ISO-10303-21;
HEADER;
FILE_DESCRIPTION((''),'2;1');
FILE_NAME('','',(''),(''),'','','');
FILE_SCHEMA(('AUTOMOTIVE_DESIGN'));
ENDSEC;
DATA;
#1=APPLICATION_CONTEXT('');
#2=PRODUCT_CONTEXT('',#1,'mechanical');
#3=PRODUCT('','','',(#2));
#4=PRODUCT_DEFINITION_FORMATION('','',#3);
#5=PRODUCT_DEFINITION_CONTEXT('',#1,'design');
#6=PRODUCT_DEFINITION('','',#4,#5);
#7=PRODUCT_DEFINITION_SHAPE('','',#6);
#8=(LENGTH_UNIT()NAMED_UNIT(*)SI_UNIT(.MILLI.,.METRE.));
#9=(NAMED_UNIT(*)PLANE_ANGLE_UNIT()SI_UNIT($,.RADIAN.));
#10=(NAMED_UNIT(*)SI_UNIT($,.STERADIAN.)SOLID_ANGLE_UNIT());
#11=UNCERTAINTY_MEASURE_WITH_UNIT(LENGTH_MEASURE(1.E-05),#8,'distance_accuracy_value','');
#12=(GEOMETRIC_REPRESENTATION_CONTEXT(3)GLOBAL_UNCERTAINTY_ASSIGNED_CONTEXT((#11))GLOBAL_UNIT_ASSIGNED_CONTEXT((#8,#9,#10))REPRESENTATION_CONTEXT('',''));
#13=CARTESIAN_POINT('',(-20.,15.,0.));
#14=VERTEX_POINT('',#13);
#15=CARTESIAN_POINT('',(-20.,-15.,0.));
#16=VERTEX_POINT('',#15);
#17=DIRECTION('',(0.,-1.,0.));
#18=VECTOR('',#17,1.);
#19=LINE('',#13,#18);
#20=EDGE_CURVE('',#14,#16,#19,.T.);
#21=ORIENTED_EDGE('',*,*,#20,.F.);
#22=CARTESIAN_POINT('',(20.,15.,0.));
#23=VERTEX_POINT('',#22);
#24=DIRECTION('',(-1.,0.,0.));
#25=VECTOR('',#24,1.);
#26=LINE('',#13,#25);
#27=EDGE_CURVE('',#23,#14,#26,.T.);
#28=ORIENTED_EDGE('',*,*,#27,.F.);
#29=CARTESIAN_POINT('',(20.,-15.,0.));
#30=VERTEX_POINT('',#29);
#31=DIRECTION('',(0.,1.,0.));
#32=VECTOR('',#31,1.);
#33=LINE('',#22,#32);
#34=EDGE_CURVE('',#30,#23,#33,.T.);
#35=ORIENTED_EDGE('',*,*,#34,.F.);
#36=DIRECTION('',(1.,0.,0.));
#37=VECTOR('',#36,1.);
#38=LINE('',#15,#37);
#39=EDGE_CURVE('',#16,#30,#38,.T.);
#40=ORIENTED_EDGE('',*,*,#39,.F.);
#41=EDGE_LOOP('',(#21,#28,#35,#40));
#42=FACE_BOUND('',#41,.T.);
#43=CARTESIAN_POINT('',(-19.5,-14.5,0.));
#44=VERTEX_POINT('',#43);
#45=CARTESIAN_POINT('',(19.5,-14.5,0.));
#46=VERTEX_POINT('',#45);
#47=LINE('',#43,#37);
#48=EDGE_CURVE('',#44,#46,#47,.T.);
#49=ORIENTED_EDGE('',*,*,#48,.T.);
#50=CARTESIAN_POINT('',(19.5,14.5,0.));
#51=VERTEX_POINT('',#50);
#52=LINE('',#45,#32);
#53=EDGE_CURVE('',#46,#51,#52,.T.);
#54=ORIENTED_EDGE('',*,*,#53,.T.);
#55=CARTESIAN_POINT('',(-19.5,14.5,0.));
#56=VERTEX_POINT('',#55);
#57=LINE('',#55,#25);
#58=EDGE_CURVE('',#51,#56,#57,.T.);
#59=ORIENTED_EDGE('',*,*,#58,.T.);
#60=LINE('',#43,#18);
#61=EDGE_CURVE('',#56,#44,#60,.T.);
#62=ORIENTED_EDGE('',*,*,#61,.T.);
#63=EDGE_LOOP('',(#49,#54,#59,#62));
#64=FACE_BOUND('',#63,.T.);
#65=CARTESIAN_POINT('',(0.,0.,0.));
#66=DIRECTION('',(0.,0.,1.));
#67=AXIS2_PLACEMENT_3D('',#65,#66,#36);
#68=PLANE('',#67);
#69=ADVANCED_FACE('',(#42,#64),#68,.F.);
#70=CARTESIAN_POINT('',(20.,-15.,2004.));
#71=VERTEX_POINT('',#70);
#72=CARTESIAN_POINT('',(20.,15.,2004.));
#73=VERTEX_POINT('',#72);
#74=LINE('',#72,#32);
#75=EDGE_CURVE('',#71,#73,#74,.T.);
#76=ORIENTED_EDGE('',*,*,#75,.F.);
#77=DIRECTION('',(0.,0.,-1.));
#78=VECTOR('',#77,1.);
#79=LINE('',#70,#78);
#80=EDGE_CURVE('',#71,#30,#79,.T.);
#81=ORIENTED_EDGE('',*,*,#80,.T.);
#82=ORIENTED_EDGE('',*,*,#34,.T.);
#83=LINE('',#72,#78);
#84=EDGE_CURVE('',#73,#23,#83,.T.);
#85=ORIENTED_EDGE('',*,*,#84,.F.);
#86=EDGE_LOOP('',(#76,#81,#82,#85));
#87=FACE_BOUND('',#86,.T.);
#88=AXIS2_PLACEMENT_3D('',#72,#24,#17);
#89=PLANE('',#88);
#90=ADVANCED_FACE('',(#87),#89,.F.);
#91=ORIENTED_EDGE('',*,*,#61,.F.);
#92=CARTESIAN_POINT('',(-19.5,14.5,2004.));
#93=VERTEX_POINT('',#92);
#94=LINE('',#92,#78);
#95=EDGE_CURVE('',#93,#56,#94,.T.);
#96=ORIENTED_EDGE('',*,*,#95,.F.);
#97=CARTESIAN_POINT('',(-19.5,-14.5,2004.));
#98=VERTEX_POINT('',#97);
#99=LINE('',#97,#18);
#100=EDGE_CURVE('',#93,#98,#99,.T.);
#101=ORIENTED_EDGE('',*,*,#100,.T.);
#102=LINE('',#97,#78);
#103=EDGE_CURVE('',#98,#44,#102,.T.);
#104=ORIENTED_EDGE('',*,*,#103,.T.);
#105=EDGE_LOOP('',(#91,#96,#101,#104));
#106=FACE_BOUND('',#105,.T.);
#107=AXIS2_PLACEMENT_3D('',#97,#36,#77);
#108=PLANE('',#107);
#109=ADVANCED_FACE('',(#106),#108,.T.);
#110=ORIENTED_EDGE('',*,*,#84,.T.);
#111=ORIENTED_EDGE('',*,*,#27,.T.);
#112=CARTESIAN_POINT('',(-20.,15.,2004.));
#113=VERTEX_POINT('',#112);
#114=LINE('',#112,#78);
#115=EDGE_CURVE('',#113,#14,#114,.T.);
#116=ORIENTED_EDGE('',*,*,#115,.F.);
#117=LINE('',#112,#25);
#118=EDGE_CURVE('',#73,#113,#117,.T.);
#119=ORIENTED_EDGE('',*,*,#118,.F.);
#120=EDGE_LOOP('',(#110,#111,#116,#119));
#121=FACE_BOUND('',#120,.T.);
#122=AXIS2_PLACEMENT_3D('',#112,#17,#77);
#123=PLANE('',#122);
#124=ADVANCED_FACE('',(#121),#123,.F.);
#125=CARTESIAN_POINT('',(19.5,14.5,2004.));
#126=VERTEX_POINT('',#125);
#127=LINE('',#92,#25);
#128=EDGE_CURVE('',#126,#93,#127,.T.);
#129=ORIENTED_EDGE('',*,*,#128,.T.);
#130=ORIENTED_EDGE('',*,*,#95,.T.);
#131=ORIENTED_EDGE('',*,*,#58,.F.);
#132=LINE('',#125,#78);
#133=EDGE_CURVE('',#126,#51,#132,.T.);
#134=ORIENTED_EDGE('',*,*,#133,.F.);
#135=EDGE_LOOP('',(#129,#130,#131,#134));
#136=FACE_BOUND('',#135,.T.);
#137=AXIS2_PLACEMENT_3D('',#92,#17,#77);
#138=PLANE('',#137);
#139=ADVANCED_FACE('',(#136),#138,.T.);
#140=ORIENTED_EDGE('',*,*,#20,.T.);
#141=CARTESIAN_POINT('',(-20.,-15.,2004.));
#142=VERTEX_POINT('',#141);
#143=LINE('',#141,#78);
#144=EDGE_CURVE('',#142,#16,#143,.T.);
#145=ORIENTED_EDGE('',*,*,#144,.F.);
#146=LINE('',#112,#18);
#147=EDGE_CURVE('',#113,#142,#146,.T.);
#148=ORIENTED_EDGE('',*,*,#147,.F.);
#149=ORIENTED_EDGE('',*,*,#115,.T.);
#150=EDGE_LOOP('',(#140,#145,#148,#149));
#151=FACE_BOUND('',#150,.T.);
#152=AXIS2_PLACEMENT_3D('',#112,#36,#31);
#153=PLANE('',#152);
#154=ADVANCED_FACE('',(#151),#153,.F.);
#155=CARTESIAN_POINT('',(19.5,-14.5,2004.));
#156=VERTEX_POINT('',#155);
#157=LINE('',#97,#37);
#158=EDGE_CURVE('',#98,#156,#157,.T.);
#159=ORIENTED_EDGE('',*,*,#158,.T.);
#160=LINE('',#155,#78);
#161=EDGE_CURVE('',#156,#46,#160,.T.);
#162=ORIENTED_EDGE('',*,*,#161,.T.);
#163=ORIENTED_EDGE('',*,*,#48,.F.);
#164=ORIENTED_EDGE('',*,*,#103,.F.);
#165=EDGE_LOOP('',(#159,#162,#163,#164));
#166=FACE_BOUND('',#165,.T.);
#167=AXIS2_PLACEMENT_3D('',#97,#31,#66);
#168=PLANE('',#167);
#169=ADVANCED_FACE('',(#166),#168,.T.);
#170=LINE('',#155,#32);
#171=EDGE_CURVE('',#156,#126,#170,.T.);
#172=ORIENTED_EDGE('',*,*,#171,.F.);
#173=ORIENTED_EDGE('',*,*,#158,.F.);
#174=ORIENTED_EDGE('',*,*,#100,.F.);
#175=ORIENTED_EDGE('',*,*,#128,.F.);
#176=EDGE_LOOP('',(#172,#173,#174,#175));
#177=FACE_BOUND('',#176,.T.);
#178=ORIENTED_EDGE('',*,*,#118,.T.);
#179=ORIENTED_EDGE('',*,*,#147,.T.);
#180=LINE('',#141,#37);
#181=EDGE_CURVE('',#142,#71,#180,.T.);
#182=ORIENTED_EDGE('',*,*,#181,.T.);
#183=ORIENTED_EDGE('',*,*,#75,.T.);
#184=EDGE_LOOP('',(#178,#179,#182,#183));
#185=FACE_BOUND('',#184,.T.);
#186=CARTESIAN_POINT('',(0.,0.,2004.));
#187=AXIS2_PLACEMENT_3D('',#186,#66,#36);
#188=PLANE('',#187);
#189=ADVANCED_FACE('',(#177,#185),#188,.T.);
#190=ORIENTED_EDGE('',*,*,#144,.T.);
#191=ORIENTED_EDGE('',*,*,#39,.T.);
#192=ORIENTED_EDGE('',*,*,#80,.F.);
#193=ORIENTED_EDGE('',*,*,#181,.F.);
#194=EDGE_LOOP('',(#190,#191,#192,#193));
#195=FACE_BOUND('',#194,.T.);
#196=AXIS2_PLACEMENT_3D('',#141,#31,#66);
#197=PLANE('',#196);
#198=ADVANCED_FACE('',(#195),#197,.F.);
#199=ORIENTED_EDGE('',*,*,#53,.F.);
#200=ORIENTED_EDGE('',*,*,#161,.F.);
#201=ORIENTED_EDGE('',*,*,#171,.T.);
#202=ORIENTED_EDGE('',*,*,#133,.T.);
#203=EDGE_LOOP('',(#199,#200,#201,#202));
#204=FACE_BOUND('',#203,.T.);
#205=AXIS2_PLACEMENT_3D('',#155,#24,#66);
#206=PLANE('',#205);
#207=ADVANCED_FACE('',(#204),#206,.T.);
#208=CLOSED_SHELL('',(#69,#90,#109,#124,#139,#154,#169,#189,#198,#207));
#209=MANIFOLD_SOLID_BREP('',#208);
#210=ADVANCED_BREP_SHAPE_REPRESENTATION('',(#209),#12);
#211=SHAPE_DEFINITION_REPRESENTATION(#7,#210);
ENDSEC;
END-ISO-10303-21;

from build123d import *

# Parameters (mm, degrees)
SCHIZZO1_W                   = 40
SCHIZZO1_H                   = 30
SCHIZZO1_W_2                 = 39
SCHIZZO1_H_2                 = 29
ESTRUSIONE_ESTRUSIONE1_DEPTH = 2004


with BuildPart() as part:
    # Schizzo1 → Estrusione-Estrusione1 (new body)
    with BuildSketch(Plane.XY):
        Rectangle(SCHIZZO1_W, SCHIZZO1_H)
        Rectangle(SCHIZZO1_W_2, SCHIZZO1_H_2, mode=Mode.SUBTRACT)
    extrude(amount=ESTRUSIONE_ESTRUSIONE1_DEPTH)


solid = part.part
